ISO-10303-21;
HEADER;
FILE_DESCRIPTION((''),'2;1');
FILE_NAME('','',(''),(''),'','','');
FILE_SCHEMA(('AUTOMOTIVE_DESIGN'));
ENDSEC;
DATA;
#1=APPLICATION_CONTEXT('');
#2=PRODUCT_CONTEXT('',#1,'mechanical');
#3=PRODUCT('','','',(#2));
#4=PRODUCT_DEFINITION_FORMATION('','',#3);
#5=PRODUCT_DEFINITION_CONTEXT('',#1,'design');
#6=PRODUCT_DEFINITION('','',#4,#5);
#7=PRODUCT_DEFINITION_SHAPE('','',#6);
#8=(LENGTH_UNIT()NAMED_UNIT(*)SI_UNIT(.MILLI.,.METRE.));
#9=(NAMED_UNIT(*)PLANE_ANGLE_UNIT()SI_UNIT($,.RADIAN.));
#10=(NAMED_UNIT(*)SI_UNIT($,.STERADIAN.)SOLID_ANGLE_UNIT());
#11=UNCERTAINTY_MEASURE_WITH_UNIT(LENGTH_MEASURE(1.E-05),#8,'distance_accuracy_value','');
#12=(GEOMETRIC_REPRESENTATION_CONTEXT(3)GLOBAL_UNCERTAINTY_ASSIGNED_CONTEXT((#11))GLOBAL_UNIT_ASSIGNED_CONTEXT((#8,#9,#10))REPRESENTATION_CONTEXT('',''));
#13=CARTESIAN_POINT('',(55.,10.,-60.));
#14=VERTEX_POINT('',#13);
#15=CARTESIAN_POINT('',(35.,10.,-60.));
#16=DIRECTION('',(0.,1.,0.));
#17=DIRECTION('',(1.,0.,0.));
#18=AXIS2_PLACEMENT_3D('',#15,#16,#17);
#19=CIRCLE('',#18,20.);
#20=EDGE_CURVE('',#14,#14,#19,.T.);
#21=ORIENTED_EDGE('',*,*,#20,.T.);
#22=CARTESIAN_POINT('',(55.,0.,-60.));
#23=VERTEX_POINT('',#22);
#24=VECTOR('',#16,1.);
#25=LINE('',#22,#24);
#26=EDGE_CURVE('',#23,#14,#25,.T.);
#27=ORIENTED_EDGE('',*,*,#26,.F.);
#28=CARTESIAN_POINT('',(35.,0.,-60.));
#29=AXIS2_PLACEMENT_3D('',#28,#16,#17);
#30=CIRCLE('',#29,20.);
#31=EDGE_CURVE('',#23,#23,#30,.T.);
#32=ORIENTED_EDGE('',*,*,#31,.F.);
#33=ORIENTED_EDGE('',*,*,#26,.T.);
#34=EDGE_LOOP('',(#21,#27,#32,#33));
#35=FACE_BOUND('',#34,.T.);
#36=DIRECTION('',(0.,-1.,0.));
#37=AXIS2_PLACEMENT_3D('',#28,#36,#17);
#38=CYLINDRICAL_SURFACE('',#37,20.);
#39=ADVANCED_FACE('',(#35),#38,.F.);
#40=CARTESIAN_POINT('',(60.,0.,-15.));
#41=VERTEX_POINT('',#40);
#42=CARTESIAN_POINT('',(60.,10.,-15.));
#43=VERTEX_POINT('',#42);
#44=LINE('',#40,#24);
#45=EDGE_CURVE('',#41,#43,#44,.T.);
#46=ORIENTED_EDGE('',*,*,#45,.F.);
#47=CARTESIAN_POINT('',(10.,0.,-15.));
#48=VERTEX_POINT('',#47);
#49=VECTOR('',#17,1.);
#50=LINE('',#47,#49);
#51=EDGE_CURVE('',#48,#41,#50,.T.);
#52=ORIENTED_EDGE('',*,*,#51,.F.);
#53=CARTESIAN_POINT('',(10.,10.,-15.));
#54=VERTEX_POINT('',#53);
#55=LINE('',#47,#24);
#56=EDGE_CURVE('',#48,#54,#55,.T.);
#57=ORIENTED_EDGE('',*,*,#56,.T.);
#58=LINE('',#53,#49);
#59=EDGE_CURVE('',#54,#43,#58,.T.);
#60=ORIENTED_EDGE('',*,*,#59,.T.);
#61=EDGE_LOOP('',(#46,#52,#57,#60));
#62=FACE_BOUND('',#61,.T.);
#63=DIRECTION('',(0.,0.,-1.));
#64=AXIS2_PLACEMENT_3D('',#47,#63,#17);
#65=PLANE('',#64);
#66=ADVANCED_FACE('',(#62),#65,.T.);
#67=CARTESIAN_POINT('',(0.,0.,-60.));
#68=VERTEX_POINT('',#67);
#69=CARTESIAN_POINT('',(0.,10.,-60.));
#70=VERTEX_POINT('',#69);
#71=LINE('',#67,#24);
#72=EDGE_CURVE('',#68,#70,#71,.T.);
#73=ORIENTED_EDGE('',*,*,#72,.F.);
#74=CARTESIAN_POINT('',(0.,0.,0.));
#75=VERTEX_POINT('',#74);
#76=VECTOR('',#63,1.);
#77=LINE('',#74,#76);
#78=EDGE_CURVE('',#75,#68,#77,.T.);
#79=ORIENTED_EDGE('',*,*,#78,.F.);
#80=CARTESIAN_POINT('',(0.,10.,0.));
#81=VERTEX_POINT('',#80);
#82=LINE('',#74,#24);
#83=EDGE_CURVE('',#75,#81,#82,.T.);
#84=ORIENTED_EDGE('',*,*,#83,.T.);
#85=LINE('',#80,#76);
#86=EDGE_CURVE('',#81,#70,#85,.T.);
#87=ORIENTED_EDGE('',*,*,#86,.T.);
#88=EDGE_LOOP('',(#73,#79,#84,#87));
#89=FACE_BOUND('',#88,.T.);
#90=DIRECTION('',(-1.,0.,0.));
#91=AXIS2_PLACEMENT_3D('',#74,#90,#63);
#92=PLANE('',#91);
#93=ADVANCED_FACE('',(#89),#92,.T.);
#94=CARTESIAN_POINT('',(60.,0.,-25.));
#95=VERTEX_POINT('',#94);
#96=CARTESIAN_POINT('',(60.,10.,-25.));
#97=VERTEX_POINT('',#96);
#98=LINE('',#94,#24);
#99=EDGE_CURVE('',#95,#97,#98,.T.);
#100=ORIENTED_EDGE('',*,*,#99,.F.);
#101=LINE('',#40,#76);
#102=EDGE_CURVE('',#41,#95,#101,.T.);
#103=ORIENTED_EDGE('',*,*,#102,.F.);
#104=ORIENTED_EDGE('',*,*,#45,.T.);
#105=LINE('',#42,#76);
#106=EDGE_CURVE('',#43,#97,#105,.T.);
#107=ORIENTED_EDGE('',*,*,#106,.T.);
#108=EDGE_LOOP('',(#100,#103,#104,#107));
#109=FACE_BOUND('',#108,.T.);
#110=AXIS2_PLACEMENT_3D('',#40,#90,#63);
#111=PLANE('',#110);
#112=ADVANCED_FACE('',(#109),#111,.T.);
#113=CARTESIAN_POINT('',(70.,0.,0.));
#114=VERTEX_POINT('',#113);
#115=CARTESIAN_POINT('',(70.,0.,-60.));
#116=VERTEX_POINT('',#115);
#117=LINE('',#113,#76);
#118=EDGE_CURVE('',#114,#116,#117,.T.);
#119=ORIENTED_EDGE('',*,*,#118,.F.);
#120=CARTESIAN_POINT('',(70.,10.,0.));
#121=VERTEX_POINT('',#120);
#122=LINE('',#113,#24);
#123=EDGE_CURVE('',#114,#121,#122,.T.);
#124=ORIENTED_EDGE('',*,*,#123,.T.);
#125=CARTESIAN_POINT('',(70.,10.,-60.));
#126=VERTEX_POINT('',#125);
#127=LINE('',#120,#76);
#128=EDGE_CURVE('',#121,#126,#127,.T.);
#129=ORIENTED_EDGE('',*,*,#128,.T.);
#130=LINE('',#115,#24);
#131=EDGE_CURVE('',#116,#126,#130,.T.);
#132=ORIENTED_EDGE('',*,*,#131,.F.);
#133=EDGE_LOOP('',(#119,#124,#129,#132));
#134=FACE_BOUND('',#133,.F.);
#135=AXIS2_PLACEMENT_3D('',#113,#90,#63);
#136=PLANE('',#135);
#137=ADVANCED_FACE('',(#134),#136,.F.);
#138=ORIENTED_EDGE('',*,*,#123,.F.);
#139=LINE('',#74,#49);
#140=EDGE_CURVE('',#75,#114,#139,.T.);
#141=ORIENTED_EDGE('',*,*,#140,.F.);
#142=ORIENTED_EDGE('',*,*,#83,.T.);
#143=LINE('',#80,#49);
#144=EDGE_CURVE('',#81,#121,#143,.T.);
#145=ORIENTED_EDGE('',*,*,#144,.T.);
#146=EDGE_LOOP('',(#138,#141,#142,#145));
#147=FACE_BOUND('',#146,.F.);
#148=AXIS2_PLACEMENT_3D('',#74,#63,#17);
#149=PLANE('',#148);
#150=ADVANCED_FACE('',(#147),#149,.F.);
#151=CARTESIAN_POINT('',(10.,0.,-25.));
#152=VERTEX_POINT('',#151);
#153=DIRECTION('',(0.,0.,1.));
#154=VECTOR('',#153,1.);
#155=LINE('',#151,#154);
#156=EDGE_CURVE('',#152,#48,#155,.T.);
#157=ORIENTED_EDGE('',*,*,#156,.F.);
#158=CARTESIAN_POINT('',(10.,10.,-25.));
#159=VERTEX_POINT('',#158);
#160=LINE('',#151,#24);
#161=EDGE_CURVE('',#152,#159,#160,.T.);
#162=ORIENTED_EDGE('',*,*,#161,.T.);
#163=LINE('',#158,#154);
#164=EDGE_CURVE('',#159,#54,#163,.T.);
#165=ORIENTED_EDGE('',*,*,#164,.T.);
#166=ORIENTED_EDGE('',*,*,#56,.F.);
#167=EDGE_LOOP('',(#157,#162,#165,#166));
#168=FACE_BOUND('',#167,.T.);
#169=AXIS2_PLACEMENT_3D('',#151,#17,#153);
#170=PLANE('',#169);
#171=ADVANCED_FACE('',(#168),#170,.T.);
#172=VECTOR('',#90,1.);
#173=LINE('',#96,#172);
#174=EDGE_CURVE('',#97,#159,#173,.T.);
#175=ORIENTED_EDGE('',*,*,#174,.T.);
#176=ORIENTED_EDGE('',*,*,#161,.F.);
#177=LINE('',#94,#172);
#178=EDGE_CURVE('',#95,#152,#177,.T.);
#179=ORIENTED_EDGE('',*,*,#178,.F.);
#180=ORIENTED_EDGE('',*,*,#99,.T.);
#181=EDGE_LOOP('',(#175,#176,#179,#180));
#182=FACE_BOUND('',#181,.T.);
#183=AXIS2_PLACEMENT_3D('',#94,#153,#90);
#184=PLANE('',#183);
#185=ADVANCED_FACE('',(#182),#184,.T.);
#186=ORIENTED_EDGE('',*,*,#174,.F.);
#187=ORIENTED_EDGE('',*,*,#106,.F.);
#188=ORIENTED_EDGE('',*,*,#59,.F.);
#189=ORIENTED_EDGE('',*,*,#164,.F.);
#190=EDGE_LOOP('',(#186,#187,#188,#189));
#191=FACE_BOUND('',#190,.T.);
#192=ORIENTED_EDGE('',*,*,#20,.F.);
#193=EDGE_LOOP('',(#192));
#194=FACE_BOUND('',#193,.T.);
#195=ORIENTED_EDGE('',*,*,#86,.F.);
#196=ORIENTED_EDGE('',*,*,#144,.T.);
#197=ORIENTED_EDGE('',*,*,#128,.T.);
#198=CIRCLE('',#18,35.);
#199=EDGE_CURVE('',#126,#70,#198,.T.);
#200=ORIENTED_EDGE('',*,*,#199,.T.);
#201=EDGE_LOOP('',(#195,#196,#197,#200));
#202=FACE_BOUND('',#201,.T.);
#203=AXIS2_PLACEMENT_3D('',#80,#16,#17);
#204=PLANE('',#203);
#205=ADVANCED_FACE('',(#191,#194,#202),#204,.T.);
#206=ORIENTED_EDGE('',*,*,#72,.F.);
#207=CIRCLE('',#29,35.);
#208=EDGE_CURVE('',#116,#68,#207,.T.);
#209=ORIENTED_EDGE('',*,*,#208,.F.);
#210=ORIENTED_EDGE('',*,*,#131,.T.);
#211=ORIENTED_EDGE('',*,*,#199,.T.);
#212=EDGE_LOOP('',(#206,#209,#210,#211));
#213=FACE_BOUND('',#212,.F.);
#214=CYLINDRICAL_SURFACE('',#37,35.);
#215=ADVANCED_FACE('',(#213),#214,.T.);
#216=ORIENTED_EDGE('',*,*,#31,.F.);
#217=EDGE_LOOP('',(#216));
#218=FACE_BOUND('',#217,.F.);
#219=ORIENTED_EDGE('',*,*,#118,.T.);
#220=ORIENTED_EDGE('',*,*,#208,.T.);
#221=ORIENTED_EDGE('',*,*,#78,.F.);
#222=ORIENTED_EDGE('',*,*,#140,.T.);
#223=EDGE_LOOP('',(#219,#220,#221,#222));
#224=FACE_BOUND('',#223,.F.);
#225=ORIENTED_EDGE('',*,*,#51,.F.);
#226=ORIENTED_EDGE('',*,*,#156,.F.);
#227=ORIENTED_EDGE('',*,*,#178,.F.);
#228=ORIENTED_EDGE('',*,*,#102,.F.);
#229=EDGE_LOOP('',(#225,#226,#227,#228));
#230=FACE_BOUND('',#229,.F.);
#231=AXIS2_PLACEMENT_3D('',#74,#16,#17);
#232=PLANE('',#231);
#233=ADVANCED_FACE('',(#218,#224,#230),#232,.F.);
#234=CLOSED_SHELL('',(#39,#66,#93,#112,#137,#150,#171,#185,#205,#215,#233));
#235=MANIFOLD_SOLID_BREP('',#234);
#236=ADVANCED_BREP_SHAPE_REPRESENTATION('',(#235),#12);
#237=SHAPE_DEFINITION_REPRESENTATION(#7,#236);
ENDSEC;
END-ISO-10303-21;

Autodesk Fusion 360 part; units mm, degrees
sketch "Sketch1" plane through (0, 0, 0) normal (0, 1, 0) x (1, 0, 0)
  line L0 (0, 0) -> (70, 0)
  line L1 (0, 0) -> (0, 60)
  line L2 (70, 0) -> (70, 60)
  circle A0 centre (35, 60) radius 20
  line L3 (60, 15) -> (60, 25)
  line L4 (60, 25) -> (10, 25)
  line L5 (10, 25) -> (10, 15)
  line L6 (10, 15) -> (60, 15)
  arc A1 (70, 60) -> (0, 60) centre (35, 60) ccw
  dimension "d1" = 70
  dimension "d2" = 60
  dimension "d3" = 40
  dimension "d4" = 50
  dimension "d5" = 10
extrude "Extrude1" add sketch "Sketch1" along normal blind 10
